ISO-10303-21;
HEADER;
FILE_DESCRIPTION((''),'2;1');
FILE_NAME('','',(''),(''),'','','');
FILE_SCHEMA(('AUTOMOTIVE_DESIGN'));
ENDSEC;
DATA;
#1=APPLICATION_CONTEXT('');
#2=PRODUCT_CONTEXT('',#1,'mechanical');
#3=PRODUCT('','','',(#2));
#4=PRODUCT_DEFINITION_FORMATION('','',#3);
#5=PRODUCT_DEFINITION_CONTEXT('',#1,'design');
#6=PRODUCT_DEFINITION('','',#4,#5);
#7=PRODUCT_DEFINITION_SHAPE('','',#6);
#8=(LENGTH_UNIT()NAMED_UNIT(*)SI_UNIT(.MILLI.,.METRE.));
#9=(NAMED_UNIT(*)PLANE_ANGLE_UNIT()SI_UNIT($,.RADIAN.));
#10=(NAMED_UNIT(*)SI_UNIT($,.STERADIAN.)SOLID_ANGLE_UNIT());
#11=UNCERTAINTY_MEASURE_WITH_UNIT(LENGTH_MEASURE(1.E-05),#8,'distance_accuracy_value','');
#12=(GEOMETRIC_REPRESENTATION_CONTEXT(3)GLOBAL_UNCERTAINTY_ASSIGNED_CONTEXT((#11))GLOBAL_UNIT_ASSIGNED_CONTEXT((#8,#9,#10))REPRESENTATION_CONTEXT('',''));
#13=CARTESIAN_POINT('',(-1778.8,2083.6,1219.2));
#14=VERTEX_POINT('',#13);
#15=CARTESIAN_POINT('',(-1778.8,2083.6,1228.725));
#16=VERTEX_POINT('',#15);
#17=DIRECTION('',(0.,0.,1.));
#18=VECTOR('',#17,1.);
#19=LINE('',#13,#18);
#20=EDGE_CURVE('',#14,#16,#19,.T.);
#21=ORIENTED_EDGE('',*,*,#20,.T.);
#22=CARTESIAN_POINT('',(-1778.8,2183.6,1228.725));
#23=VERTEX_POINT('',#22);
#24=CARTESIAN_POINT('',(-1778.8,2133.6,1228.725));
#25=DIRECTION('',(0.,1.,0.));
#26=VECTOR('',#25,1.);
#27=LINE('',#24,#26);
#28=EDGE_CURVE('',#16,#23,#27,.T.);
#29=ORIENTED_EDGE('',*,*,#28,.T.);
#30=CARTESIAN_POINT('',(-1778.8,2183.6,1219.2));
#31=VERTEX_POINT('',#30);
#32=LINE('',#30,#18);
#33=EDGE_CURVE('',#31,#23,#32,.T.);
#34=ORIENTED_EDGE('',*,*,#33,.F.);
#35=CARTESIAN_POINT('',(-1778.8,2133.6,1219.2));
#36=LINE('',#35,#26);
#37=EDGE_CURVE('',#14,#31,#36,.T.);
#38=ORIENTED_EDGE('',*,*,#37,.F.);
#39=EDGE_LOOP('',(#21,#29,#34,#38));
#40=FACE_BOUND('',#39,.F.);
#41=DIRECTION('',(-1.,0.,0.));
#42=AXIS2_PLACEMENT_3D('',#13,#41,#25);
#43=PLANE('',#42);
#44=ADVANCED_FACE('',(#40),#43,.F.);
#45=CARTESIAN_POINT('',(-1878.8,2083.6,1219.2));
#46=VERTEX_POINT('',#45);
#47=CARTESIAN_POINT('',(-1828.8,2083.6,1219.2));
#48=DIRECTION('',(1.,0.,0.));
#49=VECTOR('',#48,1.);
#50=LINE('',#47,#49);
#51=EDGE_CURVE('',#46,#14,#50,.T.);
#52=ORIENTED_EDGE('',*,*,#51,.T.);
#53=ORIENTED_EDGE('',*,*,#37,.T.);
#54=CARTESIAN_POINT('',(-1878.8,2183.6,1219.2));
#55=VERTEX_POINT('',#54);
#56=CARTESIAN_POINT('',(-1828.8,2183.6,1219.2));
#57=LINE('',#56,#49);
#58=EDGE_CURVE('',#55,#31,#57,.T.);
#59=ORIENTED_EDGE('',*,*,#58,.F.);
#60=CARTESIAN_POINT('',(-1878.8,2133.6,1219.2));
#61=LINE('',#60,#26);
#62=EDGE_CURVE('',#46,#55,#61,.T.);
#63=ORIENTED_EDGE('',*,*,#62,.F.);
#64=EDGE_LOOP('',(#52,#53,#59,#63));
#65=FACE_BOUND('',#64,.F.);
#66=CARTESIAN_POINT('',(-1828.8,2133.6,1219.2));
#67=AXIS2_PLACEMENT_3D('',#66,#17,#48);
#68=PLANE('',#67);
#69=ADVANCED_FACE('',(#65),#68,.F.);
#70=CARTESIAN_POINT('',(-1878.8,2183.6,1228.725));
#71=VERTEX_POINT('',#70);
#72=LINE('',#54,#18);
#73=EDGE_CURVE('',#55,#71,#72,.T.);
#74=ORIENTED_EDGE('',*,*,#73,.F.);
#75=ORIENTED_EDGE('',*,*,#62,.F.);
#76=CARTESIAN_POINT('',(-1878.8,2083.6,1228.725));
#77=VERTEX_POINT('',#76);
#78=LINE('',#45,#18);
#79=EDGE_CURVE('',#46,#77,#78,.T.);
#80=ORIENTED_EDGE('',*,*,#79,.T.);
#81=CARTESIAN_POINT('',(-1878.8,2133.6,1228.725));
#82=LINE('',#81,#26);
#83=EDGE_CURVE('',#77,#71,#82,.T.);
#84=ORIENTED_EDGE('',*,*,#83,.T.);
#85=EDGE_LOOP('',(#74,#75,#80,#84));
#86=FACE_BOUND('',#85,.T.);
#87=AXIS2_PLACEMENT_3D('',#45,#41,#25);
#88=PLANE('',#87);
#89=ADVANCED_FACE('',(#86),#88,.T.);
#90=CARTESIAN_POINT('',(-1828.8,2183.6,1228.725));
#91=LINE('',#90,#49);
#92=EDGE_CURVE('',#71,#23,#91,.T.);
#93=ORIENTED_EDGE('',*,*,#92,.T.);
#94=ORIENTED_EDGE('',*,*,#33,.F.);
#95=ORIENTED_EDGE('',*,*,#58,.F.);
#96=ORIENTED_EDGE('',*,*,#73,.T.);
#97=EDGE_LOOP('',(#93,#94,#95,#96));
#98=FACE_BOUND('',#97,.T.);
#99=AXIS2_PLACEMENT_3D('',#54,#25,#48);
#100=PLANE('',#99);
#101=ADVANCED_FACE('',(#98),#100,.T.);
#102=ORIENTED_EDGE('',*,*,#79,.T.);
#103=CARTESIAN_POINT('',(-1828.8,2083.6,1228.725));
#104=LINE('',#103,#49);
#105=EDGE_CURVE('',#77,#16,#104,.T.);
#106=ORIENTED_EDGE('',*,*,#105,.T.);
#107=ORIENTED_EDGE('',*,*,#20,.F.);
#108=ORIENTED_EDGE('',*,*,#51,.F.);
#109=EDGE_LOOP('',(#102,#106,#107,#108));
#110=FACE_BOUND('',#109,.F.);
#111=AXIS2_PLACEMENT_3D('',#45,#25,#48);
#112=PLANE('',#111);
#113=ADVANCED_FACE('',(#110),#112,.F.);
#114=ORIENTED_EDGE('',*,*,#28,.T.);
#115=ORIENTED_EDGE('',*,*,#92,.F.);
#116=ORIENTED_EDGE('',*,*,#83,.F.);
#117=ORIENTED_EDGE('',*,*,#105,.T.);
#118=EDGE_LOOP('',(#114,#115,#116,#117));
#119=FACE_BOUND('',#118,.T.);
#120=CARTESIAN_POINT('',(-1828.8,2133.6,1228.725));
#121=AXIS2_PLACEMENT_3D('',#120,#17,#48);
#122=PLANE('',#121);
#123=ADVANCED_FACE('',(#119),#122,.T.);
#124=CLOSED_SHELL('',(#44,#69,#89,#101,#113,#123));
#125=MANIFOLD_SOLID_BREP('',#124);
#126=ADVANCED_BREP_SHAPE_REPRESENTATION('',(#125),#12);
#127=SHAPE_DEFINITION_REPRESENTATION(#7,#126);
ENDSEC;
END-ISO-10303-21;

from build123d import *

# Parameters (mm, degrees)
F3_W     = 100
F3_H     = 100
F4_DEPTH = 9.525


with BuildPart() as f4:
    # F3 (on offset) → F4 (new body)
    with BuildSketch(Plane.XY.offset(1219.2)):
        with Locations((-1828.8, 2133.6)):
            Rectangle(F3_W, F3_H)
    extrude(amount=F4_DEPTH)


solid = f4.part
